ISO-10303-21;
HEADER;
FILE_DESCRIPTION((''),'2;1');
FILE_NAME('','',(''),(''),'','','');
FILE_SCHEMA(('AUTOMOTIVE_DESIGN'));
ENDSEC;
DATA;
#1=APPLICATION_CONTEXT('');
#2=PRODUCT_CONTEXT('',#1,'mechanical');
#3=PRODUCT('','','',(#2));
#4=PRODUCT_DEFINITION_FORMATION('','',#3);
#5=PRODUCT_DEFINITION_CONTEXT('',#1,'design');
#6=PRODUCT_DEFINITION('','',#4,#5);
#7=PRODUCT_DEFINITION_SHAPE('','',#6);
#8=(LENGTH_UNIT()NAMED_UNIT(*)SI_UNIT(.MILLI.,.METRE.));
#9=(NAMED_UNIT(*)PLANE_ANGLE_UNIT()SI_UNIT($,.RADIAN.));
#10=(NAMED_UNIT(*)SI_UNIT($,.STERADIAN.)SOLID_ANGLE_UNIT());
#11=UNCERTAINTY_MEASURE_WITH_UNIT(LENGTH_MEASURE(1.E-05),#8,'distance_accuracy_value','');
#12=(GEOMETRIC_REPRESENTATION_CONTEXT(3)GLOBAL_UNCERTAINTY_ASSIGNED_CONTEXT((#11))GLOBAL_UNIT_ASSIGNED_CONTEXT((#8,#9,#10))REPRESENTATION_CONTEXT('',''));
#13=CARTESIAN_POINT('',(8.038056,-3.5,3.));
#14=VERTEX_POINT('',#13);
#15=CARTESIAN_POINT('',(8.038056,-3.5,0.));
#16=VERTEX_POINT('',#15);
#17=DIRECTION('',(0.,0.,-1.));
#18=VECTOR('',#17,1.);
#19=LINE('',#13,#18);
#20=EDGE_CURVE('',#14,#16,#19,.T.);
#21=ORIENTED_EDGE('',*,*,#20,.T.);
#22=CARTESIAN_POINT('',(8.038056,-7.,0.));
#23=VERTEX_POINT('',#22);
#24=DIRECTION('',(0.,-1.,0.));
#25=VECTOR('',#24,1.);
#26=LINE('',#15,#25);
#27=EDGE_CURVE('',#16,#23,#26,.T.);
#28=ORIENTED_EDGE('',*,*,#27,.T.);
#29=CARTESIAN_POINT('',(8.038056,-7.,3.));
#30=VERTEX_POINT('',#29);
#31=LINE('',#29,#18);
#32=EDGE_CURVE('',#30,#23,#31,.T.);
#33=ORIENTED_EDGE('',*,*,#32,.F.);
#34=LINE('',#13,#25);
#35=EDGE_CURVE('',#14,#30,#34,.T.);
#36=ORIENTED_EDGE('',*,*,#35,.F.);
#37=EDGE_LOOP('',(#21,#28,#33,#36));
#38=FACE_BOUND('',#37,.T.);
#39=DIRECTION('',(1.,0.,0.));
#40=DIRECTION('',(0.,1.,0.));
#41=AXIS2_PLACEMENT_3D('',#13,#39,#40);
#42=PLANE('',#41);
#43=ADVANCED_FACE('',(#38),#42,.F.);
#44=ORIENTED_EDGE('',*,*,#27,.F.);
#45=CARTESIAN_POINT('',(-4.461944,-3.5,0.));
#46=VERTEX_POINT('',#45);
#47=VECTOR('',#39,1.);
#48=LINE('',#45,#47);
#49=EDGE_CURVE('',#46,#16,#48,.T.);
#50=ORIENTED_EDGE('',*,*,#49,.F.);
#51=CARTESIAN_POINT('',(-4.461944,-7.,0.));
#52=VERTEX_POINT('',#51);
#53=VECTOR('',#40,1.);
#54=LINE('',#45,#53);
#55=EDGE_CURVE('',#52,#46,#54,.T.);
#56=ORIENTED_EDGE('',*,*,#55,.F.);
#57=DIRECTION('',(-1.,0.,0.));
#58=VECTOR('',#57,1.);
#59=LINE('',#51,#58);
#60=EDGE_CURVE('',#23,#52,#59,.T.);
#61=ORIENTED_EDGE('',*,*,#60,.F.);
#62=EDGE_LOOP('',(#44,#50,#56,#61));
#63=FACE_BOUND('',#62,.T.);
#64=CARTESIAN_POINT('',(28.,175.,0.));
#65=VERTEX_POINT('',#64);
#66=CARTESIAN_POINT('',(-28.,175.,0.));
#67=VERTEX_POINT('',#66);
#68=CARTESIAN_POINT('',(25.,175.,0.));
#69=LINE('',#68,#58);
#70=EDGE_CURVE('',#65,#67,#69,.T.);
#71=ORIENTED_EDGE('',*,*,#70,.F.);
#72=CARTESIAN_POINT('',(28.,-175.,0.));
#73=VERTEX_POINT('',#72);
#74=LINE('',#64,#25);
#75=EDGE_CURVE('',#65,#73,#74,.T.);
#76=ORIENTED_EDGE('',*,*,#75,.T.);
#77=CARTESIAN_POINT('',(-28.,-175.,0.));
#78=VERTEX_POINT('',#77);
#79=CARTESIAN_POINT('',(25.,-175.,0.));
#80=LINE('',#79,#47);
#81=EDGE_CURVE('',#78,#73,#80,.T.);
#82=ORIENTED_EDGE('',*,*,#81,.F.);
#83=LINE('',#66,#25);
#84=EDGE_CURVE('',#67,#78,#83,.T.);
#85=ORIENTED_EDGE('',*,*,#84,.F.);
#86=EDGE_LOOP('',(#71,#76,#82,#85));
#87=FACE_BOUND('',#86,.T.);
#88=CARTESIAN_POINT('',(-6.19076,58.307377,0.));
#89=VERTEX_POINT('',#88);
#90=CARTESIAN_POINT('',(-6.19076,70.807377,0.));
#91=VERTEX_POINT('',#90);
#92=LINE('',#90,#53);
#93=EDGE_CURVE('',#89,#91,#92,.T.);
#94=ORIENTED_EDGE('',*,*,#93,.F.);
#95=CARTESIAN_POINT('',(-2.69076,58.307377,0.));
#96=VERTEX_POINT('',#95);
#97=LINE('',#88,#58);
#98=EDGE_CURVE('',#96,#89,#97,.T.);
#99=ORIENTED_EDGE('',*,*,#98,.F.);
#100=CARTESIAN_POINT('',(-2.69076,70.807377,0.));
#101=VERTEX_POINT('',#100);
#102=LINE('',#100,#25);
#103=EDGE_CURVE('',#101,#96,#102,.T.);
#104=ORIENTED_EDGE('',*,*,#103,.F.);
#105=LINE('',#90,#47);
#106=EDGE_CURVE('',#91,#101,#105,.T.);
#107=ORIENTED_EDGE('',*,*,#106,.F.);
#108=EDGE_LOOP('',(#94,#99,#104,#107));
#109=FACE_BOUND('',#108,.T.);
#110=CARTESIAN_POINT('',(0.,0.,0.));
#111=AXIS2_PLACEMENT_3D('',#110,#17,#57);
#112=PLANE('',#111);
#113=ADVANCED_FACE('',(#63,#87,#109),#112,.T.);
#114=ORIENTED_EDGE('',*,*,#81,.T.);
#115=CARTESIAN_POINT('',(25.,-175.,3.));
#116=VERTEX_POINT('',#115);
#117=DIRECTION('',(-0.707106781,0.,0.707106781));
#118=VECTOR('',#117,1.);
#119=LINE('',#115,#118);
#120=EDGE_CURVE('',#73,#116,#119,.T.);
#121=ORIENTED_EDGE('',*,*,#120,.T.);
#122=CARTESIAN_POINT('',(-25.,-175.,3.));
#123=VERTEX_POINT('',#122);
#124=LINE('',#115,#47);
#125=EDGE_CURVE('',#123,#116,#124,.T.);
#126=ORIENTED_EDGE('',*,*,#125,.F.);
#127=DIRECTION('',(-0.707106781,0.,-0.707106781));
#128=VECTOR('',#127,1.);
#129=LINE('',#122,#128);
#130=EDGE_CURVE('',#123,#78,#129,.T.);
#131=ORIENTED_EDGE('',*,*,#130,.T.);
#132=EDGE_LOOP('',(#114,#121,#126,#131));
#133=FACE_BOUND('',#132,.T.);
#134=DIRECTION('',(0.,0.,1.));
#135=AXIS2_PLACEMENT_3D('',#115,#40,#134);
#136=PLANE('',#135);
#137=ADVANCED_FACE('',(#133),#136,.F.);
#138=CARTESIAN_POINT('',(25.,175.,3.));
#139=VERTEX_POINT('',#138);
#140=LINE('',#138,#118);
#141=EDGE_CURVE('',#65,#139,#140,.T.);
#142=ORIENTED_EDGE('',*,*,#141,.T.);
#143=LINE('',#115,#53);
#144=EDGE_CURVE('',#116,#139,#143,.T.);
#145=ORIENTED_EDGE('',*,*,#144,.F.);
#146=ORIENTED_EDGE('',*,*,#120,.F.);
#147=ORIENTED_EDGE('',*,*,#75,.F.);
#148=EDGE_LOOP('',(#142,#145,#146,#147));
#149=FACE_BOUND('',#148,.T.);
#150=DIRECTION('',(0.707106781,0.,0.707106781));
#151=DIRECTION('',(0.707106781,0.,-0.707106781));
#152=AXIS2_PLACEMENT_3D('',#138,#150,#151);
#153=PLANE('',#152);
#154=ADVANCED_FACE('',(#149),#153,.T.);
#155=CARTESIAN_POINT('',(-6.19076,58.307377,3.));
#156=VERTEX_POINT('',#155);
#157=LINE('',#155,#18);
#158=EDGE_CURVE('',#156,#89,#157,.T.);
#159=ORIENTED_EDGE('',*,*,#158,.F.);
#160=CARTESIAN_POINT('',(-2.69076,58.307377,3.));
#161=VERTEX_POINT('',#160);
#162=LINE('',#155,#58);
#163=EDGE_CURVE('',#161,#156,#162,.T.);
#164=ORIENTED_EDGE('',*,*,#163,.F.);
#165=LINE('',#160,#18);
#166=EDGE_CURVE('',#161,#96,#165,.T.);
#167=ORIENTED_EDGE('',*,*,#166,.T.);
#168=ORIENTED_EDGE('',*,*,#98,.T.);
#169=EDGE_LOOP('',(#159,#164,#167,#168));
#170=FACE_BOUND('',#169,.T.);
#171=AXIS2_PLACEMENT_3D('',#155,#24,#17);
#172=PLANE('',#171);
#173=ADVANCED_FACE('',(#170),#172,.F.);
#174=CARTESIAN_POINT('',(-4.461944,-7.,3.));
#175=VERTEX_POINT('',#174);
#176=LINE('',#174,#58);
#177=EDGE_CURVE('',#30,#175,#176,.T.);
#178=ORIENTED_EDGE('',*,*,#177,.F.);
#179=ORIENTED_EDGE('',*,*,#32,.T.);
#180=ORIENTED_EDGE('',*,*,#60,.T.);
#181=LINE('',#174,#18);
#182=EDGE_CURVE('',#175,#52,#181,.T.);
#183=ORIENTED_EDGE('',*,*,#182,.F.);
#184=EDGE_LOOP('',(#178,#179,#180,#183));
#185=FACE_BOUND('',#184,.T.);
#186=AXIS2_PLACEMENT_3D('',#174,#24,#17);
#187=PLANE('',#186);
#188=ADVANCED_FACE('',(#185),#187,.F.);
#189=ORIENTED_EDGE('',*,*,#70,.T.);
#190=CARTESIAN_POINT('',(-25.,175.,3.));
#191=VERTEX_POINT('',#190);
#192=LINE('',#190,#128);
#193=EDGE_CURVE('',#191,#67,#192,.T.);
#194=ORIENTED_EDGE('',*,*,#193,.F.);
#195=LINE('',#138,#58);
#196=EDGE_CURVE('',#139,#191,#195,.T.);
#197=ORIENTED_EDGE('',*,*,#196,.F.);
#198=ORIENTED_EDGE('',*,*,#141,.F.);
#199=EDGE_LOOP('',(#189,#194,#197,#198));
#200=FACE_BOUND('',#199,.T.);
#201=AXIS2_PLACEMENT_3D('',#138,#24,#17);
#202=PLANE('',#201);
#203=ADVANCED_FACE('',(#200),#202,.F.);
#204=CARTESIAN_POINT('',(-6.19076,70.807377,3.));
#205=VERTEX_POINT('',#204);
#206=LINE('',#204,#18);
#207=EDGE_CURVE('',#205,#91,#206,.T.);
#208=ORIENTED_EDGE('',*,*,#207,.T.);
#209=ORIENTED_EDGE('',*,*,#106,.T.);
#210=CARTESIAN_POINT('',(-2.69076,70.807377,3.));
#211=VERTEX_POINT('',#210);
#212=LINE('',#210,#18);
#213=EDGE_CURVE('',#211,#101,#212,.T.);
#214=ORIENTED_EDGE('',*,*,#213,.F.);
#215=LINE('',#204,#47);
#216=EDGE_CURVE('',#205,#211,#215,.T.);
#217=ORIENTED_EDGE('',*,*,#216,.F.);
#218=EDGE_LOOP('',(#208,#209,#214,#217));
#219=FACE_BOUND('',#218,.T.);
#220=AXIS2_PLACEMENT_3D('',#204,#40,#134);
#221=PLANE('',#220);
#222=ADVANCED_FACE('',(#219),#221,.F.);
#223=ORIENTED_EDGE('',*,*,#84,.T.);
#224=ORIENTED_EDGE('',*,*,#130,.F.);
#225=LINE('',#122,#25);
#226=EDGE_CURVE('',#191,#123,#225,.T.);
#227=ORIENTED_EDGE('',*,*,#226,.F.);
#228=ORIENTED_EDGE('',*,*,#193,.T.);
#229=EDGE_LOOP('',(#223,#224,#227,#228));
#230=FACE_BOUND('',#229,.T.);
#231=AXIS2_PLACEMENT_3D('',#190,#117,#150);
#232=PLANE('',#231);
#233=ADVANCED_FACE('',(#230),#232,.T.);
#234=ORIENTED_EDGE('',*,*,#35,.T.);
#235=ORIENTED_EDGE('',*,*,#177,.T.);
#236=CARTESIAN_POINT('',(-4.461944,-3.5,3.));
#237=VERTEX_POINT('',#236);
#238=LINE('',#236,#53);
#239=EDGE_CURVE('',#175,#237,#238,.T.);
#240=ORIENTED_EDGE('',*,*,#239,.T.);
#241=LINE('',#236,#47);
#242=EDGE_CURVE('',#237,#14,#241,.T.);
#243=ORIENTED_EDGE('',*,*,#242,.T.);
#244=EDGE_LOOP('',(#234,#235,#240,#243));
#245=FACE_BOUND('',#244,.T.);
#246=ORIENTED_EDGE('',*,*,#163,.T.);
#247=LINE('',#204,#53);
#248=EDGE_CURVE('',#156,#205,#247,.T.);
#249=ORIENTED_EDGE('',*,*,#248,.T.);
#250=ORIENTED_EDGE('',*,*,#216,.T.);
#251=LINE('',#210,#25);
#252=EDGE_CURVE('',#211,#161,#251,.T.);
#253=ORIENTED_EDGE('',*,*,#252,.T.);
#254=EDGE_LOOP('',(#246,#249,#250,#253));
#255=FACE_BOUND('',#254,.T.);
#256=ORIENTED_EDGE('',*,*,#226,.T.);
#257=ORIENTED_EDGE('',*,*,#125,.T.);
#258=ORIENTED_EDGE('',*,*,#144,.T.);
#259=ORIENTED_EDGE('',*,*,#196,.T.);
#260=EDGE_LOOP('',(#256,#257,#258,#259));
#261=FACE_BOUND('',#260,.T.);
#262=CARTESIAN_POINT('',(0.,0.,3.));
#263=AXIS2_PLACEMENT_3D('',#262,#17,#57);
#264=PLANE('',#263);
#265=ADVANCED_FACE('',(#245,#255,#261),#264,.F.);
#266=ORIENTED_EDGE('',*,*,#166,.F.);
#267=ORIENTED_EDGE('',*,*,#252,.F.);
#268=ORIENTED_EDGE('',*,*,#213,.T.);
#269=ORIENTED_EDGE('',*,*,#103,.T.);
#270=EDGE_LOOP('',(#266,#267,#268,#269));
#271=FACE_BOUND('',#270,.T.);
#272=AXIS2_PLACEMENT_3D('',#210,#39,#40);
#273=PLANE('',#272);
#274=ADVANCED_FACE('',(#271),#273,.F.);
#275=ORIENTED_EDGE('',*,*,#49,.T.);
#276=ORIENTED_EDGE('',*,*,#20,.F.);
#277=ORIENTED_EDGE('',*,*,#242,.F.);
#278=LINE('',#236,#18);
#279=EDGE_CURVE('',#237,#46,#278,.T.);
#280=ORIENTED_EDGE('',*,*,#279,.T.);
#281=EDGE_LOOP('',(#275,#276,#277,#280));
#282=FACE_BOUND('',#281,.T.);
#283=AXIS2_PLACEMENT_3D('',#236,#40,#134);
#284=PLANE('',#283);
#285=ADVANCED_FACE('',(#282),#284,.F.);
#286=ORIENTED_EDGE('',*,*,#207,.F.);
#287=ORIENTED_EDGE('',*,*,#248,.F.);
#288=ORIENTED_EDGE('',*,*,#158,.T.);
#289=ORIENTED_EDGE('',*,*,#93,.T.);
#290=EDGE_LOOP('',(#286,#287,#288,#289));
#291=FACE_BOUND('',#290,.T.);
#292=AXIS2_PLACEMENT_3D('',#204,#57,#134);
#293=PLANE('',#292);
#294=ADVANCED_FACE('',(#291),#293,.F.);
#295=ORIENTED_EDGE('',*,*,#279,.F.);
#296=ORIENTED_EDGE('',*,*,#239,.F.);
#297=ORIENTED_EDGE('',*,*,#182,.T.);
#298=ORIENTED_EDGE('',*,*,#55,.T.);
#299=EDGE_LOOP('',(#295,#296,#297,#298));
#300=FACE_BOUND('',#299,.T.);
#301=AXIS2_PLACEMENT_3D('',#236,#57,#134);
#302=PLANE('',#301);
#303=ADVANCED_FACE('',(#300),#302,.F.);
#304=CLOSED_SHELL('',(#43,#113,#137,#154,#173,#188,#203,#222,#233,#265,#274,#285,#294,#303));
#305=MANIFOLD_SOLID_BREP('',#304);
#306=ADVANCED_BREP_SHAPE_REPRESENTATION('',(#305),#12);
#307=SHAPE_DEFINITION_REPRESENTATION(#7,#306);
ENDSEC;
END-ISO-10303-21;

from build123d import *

# Parameters (mm, degrees)
SKETCH1_W           = 350
SKETCH1_H           = 50
BOSS_EXTRUDE1_DEPTH = 3
BOSS_EXTRUDE2_DEPTH = 350
SKETCH3_OUTSIDE_W   = 128.892
SKETCH3_OUTSIDE_H   = 422.892
SKETCH3_OUTSIDE_W_2 = 56
SKETCH3_OUTSIDE_H_2 = 350
SKETCH3_OUTSIDE_W_3 = 12.5
SKETCH3_OUTSIDE_H_3 = 3.5
SKETCH3_OUTSIDE_W_4 = 3.5
SKETCH3_OUTSIDE_H_4 = 12.5
CUT_EXTRUDE2_DEPTH  = 178.251234128


with BuildPart() as part:
    # Sketch1 → Boss-Extrude1 (new body)
    with BuildSketch(Plane(origin=(0, 0, 0), x_dir=(0, 1, 0), z_dir=(0, 0, 1))):
        Rectangle(SKETCH1_W, SKETCH1_H)
    extrude(amount=BOSS_EXTRUDE1_DEPTH)

    # Sketch2 → Boss-Extrude2 (add, through all)
    with BuildSketch(Plane.XZ.offset(175)):
        Polygon((-25, 3), (-25, 0), (-28, 0), align=None)
        Polygon((25, 3), (28, 0), (25, 0), align=None)
    extrude(amount=-BOSS_EXTRUDE2_DEPTH)

    # Sketch3 outside → Cut-Extrude2 (cut, through all)
    # profile 1 of 3: a face of its own
    with BuildSketch(Plane(origin=(0, 0, 0), x_dir=(1, 0, 0), z_dir=(0, 0, -1))):
        Rectangle(SKETCH3_OUTSIDE_W, SKETCH3_OUTSIDE_H)
        Rectangle(SKETCH3_OUTSIDE_W_2, SKETCH3_OUTSIDE_H_2, mode=Mode.SUBTRACT)
    # profile 2 of 3: a face of its own
    with BuildSketch(Plane(origin=(0, 0, 0), x_dir=(1, 0, 0), z_dir=(0, 0, -1))):
        with Locations((1.788055669, 5.25)):
            Rectangle(SKETCH3_OUTSIDE_W_3, SKETCH3_OUTSIDE_H_3)
    # profile 3 of 3: a face of its own
    with BuildSketch(Plane(origin=(0, 0, 0), x_dir=(1, 0, 0), z_dir=(0, 0, -1))):
        with Locations((-4.440759591, -64.557376571)):
            Rectangle(SKETCH3_OUTSIDE_W_4, SKETCH3_OUTSIDE_H_4)
    extrude(amount=-CUT_EXTRUDE2_DEPTH, mode=Mode.SUBTRACT)


solid = part.part
